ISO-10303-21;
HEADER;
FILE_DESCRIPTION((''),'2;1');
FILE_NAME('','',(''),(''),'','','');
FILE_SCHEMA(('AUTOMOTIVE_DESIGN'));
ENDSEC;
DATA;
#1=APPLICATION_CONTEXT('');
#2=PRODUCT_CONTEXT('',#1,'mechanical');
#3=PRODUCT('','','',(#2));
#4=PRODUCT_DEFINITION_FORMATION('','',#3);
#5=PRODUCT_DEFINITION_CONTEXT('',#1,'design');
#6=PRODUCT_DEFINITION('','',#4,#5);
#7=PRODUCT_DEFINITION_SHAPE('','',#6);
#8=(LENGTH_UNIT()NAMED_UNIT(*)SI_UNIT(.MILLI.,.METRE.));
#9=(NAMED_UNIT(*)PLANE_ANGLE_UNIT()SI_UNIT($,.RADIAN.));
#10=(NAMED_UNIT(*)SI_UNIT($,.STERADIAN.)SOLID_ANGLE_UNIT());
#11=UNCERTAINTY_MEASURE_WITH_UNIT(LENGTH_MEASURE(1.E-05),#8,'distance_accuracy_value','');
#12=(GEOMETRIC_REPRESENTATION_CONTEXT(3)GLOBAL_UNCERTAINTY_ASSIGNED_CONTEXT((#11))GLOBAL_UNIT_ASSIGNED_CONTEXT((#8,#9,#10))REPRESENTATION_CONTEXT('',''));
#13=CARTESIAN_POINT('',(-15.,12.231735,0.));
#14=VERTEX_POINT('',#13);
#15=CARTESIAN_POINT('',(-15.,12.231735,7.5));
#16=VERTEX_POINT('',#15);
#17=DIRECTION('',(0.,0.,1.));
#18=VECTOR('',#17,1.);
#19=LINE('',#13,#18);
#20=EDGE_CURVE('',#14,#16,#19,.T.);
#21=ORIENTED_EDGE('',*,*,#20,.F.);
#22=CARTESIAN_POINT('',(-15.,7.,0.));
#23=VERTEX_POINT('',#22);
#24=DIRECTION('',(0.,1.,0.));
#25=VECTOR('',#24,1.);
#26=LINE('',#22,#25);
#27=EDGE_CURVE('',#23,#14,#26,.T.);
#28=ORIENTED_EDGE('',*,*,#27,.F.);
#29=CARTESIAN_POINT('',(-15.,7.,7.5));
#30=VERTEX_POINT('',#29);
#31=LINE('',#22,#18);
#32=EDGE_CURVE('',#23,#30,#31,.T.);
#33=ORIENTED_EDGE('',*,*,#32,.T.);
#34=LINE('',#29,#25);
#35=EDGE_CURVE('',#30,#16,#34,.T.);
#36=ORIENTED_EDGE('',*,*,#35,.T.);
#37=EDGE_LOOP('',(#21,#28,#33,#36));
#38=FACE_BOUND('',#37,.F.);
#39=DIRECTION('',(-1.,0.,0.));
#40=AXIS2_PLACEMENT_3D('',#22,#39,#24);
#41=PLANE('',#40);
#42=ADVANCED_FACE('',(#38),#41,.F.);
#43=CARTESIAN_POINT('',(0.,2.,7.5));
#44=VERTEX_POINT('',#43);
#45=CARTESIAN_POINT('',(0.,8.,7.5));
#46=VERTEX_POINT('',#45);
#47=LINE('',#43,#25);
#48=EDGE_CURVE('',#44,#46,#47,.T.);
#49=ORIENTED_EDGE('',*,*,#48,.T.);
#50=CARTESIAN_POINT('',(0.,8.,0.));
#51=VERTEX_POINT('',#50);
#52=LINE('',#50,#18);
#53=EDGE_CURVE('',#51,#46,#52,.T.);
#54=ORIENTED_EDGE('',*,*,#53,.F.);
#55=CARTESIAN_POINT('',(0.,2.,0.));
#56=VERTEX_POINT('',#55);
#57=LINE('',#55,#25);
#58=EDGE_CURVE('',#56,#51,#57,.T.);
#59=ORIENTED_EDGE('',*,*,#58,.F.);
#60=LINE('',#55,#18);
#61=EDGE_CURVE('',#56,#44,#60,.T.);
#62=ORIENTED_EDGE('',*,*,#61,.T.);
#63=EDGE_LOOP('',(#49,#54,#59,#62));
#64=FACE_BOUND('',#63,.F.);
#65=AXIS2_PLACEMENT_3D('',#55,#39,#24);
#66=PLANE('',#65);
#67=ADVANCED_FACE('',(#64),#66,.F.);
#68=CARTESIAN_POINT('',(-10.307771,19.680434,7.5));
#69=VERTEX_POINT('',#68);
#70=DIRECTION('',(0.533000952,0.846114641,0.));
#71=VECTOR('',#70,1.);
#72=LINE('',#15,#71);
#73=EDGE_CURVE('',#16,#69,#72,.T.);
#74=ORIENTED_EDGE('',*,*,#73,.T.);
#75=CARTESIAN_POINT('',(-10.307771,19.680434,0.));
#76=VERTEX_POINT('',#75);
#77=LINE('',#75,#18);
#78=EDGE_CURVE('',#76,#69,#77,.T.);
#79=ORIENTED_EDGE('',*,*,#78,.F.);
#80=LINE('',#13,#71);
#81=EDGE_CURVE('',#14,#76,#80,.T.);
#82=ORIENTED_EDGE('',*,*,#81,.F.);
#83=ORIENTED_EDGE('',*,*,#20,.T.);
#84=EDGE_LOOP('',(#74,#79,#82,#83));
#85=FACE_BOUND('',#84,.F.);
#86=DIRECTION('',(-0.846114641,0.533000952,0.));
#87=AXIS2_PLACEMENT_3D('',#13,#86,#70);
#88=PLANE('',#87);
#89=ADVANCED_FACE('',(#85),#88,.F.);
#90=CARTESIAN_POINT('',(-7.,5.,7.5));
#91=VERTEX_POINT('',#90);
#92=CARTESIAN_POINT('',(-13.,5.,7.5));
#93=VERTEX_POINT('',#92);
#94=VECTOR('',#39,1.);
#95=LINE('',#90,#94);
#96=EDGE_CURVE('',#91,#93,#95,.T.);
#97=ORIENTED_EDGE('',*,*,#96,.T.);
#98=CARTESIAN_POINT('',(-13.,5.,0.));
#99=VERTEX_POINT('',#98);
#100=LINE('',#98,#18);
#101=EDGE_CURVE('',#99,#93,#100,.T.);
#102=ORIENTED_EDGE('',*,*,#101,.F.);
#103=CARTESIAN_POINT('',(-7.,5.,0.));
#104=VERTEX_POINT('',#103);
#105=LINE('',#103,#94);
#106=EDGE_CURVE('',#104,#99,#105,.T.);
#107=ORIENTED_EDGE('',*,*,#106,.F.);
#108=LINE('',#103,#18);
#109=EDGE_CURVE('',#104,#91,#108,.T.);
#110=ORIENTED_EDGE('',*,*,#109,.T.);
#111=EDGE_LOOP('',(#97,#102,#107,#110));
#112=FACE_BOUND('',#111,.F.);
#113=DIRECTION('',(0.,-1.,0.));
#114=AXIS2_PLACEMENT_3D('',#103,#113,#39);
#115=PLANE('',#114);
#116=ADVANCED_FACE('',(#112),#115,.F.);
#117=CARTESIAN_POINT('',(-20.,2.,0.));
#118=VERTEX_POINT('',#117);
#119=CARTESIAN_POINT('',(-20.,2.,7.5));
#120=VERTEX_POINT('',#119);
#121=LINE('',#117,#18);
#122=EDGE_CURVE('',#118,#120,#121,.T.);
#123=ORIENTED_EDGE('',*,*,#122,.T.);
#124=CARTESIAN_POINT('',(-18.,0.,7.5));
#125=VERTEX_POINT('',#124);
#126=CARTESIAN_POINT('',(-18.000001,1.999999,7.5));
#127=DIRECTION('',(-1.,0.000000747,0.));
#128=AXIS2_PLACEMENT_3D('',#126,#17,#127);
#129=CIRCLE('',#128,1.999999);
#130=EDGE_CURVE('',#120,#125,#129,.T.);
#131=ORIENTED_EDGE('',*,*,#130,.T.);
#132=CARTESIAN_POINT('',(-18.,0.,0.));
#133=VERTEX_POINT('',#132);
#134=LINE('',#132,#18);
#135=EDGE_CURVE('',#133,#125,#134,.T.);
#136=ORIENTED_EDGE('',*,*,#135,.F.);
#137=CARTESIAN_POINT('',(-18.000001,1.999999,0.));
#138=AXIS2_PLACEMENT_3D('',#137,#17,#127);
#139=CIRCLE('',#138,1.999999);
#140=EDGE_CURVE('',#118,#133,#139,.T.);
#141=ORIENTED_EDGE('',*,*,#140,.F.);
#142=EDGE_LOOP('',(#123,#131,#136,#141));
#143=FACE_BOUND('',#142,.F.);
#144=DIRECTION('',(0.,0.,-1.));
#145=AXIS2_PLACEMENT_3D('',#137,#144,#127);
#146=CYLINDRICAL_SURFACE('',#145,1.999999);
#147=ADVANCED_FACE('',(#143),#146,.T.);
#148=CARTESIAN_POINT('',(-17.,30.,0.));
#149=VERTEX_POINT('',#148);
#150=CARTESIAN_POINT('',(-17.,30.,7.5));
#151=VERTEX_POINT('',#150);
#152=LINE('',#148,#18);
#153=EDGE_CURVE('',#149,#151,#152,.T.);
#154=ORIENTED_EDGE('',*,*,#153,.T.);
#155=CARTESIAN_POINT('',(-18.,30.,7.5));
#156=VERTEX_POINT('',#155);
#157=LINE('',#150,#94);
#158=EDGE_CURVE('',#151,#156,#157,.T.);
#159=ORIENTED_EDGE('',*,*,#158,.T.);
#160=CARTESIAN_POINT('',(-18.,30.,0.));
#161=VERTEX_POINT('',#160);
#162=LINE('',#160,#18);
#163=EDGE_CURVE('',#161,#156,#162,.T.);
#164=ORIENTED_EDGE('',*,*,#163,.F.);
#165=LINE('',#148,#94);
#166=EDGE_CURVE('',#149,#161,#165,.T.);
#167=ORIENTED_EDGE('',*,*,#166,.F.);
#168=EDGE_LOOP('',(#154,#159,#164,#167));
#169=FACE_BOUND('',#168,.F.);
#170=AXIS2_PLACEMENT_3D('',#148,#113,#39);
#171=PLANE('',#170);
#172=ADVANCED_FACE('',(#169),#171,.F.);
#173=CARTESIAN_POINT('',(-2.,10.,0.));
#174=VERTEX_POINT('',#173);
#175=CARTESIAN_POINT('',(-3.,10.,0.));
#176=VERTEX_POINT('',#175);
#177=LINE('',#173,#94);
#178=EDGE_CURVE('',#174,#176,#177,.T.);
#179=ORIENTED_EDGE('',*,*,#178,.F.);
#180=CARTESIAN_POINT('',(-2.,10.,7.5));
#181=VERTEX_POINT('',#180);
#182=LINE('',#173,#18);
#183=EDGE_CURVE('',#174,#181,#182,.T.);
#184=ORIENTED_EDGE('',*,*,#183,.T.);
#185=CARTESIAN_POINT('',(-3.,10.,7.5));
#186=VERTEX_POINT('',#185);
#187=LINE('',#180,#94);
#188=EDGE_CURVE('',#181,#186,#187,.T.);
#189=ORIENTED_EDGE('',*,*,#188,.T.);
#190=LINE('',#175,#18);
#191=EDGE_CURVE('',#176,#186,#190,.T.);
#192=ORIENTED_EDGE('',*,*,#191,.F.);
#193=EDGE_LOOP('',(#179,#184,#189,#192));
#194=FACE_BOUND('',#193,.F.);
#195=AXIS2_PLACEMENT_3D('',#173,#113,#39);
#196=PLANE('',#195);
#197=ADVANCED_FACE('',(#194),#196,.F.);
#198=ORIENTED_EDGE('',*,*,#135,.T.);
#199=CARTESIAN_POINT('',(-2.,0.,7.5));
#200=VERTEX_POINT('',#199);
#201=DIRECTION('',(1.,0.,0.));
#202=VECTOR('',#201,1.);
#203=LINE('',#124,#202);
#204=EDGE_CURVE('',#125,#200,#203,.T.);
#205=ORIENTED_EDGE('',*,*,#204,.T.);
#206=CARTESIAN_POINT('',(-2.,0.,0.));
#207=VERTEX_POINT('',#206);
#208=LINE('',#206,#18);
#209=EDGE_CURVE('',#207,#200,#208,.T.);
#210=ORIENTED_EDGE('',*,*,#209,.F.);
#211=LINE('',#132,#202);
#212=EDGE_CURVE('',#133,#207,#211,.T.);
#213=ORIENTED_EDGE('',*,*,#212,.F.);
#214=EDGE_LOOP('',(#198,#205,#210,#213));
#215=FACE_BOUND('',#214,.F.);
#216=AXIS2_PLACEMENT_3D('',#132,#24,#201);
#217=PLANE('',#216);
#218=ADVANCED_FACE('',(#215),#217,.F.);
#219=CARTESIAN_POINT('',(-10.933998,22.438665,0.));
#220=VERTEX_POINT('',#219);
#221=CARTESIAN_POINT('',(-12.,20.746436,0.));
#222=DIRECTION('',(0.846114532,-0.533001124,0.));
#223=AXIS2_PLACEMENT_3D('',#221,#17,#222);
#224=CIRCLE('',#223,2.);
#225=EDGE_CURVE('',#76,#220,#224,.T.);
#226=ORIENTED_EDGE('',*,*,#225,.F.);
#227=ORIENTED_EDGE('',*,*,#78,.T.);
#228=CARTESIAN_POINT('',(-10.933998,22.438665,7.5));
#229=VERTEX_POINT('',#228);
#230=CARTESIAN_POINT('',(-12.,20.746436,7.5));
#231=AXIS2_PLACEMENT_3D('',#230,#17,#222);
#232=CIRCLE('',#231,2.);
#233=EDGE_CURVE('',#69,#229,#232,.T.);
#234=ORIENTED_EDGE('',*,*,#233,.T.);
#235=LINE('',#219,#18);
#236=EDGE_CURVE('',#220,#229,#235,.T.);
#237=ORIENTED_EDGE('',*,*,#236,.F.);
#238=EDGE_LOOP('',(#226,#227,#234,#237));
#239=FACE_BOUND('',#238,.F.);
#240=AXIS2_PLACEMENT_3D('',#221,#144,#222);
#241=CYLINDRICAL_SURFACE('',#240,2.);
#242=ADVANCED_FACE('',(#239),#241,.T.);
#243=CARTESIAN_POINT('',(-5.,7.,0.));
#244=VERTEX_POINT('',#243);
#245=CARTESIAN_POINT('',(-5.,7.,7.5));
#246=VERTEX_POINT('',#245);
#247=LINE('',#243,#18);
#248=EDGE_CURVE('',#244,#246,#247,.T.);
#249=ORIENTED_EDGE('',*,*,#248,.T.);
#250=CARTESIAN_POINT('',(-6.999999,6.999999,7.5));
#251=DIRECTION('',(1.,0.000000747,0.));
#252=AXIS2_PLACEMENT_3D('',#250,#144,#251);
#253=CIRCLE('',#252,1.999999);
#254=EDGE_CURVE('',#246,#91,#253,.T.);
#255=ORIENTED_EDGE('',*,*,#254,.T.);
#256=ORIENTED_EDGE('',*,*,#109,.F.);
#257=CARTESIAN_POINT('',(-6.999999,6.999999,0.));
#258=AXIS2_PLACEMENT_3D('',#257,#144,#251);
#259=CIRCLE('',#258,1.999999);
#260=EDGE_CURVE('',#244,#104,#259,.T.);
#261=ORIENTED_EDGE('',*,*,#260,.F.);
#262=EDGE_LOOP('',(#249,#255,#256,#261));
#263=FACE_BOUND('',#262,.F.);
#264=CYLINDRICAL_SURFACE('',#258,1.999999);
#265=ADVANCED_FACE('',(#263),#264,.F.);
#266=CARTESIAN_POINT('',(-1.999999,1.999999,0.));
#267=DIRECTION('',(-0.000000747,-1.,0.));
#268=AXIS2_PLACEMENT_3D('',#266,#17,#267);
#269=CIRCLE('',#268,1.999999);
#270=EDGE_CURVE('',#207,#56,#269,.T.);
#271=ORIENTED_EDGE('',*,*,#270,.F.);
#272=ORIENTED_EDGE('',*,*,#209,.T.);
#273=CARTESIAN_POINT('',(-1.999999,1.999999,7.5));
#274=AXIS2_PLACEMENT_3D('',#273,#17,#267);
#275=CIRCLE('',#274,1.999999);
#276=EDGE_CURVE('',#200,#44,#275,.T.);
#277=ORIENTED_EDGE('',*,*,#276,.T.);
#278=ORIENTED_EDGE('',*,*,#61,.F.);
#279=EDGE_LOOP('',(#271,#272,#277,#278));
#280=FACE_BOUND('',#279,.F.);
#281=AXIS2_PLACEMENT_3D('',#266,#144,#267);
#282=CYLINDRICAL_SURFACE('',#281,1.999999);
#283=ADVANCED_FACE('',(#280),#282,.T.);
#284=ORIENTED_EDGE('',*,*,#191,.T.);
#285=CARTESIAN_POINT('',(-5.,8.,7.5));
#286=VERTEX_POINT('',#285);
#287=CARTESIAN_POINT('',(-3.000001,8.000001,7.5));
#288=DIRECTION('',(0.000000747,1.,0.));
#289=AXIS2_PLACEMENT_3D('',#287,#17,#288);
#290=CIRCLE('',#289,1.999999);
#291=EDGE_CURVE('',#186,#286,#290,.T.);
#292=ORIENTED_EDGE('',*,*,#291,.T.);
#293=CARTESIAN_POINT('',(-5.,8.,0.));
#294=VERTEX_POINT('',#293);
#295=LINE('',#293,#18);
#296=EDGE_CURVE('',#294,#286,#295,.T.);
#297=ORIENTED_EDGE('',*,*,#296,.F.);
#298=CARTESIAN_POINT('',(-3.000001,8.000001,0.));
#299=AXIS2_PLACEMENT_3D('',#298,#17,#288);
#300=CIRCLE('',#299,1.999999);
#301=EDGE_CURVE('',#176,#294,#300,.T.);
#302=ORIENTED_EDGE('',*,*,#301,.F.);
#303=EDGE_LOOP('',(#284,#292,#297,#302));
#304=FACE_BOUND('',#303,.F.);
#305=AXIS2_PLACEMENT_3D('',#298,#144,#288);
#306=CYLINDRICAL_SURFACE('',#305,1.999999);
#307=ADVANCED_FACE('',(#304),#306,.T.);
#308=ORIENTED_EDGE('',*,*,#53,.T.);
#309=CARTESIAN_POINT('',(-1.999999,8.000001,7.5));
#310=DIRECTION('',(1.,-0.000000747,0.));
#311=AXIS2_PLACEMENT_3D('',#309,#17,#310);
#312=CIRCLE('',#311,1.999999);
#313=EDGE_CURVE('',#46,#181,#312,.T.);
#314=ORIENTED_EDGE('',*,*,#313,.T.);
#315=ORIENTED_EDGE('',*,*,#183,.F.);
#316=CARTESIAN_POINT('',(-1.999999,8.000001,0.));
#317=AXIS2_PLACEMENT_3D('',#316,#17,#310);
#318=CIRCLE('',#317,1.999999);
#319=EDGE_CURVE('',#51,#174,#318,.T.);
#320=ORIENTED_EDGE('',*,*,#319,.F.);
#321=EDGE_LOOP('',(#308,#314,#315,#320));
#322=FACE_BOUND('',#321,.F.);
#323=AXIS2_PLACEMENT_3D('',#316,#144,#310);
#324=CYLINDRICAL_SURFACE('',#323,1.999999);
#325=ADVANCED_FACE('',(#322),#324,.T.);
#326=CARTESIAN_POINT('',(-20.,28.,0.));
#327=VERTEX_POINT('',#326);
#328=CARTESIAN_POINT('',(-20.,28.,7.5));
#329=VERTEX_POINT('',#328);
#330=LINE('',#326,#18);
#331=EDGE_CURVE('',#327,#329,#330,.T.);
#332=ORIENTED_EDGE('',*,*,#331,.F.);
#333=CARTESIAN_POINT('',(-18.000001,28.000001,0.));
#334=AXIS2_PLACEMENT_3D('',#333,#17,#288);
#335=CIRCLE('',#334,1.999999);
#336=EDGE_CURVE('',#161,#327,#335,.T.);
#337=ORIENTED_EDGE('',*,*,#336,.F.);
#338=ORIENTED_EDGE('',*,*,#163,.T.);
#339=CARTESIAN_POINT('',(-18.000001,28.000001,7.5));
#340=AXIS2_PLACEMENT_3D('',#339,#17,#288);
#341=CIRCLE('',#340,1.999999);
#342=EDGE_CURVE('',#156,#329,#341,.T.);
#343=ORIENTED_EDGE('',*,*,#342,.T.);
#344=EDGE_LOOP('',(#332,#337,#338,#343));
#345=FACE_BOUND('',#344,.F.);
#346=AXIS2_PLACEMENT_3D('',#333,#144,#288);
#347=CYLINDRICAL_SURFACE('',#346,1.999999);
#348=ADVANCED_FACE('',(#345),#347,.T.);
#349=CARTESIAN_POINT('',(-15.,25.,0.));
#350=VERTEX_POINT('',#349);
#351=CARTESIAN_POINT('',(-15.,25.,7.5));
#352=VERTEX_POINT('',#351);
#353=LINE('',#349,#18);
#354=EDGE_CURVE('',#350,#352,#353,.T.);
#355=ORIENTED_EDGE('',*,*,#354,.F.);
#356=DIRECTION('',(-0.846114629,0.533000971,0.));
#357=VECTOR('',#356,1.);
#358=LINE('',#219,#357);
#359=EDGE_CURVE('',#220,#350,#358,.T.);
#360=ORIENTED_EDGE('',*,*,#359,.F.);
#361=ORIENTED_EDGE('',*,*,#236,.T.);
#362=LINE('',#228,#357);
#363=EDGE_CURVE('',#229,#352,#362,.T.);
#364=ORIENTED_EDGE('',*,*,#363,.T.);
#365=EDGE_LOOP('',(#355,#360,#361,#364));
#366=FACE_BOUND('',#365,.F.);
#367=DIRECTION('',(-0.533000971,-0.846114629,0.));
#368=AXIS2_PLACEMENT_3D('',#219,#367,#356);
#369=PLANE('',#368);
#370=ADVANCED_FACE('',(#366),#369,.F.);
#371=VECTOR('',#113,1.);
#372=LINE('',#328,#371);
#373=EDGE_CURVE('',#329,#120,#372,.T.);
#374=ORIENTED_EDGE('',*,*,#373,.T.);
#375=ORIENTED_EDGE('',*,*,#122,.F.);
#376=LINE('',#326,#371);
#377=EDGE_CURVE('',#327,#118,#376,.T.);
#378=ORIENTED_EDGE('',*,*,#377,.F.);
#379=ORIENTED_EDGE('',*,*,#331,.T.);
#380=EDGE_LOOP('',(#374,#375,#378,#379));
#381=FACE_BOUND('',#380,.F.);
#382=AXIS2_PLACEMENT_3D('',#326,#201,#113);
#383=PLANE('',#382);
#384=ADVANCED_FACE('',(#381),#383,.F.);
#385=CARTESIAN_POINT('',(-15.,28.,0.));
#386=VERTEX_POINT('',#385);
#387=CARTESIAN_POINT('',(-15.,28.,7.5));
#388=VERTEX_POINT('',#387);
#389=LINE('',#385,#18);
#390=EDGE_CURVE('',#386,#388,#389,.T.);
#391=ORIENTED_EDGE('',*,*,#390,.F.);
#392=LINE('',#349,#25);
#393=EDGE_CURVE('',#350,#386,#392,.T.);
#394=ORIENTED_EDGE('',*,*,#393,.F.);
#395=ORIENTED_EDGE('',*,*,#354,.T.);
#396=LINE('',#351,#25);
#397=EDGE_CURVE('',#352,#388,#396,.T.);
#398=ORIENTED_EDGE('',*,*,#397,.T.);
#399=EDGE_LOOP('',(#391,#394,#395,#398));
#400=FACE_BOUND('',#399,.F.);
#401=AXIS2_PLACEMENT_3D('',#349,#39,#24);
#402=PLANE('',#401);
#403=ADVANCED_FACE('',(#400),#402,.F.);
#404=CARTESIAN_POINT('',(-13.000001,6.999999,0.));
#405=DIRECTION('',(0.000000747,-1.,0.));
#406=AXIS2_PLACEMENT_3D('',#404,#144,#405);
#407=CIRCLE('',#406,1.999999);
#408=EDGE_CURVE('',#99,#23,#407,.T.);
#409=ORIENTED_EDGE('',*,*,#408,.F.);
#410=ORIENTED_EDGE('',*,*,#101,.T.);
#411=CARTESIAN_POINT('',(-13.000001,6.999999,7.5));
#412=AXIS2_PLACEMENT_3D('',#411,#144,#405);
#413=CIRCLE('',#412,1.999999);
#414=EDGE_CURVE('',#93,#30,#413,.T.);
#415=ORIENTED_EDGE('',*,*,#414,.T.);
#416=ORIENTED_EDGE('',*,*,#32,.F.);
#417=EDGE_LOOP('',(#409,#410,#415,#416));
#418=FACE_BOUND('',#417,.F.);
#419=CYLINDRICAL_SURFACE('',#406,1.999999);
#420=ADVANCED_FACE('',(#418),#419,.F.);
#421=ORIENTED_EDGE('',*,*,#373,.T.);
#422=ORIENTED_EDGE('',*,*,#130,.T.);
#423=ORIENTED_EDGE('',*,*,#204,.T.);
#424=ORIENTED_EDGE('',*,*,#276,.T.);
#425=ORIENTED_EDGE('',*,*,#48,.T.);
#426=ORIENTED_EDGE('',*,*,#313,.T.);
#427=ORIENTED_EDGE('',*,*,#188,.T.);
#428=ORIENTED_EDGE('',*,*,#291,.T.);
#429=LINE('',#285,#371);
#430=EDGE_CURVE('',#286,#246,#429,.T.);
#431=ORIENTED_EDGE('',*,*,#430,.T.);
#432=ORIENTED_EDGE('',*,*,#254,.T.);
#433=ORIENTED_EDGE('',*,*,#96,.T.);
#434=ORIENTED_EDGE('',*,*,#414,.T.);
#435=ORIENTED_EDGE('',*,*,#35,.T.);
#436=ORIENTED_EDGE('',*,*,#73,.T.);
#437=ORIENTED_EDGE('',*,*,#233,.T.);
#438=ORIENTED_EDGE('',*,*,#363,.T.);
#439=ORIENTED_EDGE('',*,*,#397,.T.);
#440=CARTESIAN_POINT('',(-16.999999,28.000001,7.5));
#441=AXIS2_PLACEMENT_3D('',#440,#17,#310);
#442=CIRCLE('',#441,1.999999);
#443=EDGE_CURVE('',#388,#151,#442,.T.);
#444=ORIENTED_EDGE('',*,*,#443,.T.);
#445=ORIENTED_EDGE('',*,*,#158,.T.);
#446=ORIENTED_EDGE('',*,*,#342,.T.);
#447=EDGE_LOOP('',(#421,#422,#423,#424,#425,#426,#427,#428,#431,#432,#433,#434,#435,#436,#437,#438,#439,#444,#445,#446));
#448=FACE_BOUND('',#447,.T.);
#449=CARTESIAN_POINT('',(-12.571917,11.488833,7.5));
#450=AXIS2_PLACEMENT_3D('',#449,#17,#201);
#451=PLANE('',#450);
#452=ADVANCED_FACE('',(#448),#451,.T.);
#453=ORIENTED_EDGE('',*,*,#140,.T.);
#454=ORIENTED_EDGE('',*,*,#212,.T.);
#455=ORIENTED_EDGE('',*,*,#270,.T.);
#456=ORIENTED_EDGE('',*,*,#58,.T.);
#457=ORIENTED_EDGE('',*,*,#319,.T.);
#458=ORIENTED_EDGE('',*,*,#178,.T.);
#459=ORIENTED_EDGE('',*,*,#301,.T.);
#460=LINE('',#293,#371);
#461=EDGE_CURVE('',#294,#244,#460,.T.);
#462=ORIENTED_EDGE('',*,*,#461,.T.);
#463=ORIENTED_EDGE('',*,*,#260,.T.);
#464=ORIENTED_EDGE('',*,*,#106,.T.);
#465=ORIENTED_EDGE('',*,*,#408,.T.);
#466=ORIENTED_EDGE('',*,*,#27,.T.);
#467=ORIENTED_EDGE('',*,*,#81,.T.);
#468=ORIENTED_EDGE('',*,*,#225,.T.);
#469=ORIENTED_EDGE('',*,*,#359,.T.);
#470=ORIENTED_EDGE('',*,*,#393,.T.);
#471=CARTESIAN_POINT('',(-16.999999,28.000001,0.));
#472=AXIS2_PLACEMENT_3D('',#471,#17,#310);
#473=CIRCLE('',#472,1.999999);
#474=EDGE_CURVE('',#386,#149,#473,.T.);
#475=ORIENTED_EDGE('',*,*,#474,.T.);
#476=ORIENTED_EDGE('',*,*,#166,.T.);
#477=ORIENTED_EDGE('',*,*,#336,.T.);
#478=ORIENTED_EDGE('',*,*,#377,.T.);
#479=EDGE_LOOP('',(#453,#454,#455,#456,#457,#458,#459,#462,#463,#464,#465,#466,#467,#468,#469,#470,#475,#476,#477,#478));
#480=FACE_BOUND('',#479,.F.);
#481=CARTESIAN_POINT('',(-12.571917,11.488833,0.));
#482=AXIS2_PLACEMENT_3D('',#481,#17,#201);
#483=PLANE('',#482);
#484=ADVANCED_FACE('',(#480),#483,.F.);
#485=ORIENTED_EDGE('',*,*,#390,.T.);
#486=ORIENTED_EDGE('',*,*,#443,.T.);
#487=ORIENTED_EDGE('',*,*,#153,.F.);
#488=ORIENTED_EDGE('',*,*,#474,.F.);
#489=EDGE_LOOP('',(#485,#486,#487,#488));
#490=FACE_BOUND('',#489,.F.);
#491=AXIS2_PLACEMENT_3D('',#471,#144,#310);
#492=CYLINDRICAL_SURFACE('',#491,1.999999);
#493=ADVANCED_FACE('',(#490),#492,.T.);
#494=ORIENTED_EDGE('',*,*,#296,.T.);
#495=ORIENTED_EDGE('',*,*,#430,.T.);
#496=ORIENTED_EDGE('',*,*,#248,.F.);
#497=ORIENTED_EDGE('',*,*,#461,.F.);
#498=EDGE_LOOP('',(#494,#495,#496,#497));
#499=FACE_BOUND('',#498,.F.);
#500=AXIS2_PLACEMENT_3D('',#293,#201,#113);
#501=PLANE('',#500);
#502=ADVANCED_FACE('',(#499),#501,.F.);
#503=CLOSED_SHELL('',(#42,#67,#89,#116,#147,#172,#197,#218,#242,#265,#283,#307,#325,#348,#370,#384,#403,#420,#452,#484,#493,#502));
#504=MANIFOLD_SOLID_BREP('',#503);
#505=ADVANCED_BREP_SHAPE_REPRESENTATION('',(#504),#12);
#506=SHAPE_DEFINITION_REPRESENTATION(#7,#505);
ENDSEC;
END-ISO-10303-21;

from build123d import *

# Parameters (mm, degrees)
F1_DEPTH = 7.5


with BuildPart() as f1:
    # F0 (on Top) → F1 (new body)
    with BuildSketch(Plane.XY):
        with BuildLine():
            ThreePointArc((-18, 30), (-19.414214, 29.414214), (-20, 28))
            Line((-20, 28), (-20, 2))
            ThreePointArc((-20, 2), (-19.414214, 0.585786), (-18, 0))
            Line((-18, 0), (-2, 0))
            ThreePointArc((-2, 0), (-0.585786, 0.585786), (0, 2))
            Line((0, 2), (0, 8))
            ThreePointArc((0, 8), (-0.585786, 9.414214), (-2, 10))
            Line((-2, 10), (-3, 10))
            ThreePointArc((-3, 10), (-4.414214, 9.414214), (-5, 8))
            Line((-5, 8), (-5, 7))
            ThreePointArc((-5, 7), (-5.585786, 5.585786), (-7, 5))
            Line((-7, 5), (-13, 5))
            ThreePointArc((-13, 5), (-14.414214, 5.585786), (-15, 7))
            Line((-15, 7), (-15, 12.231735))
            Line((-15, 12.231735), (-10.307771, 19.680434))
            ThreePointArc((-10.307771, 19.680434), (-10.049636, 21.189245), (-10.933998, 22.438665))
            Line((-10.933998, 22.438665), (-15, 25))
            Line((-15, 25), (-15, 28))
            ThreePointArc((-15, 28), (-15.585786, 29.414214), (-17, 30))
            Line((-17, 30), (-18, 30))
        make_face()
    extrude(amount=F1_DEPTH)


solid = f1.part
